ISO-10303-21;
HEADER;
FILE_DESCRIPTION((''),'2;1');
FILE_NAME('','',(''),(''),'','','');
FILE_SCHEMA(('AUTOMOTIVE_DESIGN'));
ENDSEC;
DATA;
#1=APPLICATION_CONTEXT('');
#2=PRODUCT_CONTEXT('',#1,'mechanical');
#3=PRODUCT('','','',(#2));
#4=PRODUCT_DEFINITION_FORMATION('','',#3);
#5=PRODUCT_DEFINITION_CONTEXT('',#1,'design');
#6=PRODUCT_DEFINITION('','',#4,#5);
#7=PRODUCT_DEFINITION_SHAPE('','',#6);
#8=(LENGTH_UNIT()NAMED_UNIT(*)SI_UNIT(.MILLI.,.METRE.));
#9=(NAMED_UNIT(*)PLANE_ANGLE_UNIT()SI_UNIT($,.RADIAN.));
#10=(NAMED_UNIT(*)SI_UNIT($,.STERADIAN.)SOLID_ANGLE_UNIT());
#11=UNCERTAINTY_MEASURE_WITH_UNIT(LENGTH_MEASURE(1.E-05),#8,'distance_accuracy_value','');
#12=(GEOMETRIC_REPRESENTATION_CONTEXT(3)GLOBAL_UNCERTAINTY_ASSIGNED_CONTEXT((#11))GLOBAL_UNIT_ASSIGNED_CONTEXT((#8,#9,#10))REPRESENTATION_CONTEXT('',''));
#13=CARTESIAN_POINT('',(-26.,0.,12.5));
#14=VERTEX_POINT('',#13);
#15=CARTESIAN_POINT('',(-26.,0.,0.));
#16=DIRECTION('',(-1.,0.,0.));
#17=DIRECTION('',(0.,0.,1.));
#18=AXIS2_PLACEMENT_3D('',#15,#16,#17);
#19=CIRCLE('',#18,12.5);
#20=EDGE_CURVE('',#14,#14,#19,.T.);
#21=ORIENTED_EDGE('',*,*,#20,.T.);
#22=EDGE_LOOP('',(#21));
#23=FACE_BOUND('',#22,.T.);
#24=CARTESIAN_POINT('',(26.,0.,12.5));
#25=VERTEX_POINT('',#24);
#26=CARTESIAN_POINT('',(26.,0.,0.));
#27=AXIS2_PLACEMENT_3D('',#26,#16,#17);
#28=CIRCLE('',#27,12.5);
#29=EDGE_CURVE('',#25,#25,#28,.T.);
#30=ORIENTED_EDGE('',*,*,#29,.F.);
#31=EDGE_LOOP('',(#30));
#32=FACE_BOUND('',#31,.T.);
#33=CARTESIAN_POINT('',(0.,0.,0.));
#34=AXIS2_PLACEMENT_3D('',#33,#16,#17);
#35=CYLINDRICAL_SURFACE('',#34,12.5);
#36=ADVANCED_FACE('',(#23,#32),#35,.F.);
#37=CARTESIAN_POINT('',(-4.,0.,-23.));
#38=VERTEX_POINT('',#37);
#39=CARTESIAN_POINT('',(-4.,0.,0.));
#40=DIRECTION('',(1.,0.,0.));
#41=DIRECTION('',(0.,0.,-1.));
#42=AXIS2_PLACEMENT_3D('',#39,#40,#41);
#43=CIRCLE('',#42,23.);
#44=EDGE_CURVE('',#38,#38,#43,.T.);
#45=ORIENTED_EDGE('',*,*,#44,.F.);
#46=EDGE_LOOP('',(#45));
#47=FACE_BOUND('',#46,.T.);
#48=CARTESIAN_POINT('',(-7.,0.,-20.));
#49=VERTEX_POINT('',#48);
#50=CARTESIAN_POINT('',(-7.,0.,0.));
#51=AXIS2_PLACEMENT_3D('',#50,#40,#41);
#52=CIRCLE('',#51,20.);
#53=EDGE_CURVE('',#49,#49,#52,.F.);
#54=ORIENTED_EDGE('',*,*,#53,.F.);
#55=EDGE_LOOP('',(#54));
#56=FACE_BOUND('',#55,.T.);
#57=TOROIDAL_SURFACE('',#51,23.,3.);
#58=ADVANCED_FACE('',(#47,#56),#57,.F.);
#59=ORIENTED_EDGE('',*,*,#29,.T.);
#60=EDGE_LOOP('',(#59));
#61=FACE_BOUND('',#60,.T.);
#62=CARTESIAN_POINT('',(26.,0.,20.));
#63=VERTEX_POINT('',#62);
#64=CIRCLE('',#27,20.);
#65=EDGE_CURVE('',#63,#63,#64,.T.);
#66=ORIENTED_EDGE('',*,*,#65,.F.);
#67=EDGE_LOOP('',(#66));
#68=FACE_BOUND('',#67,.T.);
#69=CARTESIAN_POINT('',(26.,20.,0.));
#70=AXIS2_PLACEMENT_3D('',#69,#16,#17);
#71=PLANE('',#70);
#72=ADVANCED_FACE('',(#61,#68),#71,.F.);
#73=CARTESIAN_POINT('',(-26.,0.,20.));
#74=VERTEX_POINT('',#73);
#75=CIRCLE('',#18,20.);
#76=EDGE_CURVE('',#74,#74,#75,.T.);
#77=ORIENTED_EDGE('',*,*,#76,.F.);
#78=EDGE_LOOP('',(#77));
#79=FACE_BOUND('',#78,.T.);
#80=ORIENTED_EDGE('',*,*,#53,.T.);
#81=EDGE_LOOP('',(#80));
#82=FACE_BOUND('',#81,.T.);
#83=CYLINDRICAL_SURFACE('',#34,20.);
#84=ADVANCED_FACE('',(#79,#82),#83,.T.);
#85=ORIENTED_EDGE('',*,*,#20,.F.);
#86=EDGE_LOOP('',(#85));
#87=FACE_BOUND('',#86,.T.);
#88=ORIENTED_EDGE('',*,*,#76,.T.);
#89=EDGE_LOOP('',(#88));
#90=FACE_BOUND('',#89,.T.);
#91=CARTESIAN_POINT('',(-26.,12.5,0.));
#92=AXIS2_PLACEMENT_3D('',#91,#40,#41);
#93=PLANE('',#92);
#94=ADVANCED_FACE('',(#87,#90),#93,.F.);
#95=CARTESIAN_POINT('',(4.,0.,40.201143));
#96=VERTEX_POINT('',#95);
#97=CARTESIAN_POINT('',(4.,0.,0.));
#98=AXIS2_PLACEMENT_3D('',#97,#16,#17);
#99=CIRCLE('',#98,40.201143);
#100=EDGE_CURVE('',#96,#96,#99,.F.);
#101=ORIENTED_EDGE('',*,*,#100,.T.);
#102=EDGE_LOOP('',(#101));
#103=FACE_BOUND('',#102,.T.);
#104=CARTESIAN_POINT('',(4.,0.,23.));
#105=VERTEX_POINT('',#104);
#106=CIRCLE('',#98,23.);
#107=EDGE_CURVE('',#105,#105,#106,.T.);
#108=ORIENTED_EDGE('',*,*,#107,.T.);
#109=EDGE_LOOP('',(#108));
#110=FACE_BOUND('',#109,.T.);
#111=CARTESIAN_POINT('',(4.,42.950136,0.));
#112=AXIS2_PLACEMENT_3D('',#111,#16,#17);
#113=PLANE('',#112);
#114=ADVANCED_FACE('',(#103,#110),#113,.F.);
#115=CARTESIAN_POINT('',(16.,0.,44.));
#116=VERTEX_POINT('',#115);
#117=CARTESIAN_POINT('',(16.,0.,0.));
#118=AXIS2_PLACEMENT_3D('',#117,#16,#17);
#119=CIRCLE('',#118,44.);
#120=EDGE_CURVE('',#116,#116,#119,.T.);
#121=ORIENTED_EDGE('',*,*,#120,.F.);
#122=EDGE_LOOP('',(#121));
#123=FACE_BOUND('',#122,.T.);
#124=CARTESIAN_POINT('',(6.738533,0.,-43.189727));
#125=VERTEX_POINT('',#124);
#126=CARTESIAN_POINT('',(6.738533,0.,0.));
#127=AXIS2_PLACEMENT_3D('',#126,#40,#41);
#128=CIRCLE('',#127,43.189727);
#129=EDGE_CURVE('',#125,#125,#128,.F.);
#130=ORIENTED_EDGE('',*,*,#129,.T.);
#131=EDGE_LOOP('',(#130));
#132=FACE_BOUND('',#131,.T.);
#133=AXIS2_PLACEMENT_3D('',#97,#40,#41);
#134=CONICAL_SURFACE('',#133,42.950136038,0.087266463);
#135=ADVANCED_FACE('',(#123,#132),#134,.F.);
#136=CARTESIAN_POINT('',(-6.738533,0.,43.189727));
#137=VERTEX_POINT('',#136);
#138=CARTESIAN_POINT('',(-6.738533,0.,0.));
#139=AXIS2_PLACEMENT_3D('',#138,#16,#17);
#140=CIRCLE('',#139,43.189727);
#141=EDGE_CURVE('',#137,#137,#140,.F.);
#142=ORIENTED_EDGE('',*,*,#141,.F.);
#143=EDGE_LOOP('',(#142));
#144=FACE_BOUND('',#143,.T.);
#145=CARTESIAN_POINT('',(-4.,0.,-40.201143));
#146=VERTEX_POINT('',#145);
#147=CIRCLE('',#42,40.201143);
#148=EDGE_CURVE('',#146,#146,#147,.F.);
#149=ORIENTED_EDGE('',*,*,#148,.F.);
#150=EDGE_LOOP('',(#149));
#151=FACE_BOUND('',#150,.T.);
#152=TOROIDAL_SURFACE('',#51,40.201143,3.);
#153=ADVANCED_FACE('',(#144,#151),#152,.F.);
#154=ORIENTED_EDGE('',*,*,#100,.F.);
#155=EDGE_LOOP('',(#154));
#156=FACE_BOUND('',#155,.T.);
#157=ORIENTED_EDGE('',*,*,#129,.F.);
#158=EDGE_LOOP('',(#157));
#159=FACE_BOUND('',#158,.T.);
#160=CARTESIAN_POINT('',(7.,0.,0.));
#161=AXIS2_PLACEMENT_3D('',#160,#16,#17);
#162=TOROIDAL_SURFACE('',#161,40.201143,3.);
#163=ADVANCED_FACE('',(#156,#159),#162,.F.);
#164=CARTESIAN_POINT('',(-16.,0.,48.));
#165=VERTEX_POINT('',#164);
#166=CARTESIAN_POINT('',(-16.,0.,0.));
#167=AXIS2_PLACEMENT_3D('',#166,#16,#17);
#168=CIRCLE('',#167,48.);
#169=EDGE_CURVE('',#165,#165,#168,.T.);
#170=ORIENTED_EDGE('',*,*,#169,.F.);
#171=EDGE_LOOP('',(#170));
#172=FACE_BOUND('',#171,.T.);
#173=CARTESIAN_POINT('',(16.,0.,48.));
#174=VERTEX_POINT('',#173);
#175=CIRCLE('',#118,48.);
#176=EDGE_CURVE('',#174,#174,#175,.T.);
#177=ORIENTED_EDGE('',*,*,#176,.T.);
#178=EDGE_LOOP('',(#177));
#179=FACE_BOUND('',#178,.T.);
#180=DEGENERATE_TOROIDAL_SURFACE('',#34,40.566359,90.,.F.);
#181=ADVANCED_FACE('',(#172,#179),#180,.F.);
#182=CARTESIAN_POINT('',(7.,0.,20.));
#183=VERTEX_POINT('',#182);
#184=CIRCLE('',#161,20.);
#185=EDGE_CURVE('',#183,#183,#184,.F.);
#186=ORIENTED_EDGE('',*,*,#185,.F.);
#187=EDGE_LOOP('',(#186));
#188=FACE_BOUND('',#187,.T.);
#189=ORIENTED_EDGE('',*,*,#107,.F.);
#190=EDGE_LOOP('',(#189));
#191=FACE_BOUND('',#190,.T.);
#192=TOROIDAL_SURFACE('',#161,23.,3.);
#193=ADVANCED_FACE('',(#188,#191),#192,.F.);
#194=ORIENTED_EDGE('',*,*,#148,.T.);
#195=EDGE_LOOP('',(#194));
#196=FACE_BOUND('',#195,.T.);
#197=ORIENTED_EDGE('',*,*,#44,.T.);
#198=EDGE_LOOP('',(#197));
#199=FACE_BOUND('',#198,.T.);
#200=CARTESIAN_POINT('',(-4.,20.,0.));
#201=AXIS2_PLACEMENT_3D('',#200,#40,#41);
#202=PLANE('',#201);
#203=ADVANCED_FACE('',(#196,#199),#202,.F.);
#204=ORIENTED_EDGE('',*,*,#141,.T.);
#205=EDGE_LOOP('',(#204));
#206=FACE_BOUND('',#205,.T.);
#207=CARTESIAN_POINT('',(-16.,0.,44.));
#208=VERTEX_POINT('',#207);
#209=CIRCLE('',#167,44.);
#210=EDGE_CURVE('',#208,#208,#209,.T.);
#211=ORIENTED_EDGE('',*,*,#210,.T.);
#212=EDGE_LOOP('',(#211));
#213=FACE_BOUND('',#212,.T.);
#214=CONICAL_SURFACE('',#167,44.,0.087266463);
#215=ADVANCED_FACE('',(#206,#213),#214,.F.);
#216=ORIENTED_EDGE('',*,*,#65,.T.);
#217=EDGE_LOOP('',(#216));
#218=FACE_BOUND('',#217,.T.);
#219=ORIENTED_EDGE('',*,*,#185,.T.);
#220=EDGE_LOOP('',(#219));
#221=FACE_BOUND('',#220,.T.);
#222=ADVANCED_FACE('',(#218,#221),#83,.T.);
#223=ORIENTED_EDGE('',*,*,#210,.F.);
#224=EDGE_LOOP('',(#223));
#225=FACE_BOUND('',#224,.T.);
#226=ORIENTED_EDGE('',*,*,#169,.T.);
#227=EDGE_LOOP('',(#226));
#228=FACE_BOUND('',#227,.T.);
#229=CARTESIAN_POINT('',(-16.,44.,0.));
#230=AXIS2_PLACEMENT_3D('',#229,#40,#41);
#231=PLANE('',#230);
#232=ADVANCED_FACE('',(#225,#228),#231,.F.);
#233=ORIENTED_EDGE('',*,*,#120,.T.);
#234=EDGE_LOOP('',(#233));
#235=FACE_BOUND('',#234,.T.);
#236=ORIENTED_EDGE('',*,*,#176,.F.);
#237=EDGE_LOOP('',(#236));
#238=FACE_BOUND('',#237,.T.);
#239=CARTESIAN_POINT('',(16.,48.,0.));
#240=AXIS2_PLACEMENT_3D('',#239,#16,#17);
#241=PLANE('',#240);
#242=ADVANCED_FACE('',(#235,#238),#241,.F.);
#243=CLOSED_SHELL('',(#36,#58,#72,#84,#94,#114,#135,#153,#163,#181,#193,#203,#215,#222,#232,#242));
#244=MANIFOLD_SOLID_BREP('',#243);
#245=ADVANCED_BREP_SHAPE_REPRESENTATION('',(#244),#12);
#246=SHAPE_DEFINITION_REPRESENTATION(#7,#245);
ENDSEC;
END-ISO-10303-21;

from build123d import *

# Parameters (mm, degrees)
RACCORDO4_R = 3


with BuildPart() as part:
    # Schizzo2 → Rivoluzione1 (revolve)
    with BuildSketch(Plane.XY, mode=Mode.PRIVATE) as rivoluzione1_sk:
        with BuildLine():
            Line((26, 12.5), (-26, 12.5))
            Line((-26, 12.5), (-26, 20))
            Line((-26, 20), (-4, 20))
            Line((-4, 20), (-4, 42.950136038))
            Line((-4, 42.950136038), (-16, 44))
            Line((-16, 44), (-16, 48))
            ThreePointArc((-16, 48), (0, 49.433640698), (16, 48))
            Line((16, 48), (16, 44))
            Line((16, 44), (4, 42.950136038))
            Line((4, 42.950136038), (4, 20))
            Line((4, 20), (26, 20))
            Line((26, 20), (26, 12.5))
        make_face()
    revolve(rivoluzione1_sk.sketch.rotate(Axis((0, 0, 0), (1, 0, 0)), 90), axis=Axis((0, 0, 0), (1, 0, 0)))

    # Raccordo4
    raccordo4_edges = [part.edges().sort_by_distance(p)[0] for p in [
        (4, 0, -42.950136038),
        (-4, 0, -42.950136038),
        (-4, 0, -20),
        (4, 0, -20),
    ]]
    fillet(raccordo4_edges, radius=RACCORDO4_R)


solid = part.part
